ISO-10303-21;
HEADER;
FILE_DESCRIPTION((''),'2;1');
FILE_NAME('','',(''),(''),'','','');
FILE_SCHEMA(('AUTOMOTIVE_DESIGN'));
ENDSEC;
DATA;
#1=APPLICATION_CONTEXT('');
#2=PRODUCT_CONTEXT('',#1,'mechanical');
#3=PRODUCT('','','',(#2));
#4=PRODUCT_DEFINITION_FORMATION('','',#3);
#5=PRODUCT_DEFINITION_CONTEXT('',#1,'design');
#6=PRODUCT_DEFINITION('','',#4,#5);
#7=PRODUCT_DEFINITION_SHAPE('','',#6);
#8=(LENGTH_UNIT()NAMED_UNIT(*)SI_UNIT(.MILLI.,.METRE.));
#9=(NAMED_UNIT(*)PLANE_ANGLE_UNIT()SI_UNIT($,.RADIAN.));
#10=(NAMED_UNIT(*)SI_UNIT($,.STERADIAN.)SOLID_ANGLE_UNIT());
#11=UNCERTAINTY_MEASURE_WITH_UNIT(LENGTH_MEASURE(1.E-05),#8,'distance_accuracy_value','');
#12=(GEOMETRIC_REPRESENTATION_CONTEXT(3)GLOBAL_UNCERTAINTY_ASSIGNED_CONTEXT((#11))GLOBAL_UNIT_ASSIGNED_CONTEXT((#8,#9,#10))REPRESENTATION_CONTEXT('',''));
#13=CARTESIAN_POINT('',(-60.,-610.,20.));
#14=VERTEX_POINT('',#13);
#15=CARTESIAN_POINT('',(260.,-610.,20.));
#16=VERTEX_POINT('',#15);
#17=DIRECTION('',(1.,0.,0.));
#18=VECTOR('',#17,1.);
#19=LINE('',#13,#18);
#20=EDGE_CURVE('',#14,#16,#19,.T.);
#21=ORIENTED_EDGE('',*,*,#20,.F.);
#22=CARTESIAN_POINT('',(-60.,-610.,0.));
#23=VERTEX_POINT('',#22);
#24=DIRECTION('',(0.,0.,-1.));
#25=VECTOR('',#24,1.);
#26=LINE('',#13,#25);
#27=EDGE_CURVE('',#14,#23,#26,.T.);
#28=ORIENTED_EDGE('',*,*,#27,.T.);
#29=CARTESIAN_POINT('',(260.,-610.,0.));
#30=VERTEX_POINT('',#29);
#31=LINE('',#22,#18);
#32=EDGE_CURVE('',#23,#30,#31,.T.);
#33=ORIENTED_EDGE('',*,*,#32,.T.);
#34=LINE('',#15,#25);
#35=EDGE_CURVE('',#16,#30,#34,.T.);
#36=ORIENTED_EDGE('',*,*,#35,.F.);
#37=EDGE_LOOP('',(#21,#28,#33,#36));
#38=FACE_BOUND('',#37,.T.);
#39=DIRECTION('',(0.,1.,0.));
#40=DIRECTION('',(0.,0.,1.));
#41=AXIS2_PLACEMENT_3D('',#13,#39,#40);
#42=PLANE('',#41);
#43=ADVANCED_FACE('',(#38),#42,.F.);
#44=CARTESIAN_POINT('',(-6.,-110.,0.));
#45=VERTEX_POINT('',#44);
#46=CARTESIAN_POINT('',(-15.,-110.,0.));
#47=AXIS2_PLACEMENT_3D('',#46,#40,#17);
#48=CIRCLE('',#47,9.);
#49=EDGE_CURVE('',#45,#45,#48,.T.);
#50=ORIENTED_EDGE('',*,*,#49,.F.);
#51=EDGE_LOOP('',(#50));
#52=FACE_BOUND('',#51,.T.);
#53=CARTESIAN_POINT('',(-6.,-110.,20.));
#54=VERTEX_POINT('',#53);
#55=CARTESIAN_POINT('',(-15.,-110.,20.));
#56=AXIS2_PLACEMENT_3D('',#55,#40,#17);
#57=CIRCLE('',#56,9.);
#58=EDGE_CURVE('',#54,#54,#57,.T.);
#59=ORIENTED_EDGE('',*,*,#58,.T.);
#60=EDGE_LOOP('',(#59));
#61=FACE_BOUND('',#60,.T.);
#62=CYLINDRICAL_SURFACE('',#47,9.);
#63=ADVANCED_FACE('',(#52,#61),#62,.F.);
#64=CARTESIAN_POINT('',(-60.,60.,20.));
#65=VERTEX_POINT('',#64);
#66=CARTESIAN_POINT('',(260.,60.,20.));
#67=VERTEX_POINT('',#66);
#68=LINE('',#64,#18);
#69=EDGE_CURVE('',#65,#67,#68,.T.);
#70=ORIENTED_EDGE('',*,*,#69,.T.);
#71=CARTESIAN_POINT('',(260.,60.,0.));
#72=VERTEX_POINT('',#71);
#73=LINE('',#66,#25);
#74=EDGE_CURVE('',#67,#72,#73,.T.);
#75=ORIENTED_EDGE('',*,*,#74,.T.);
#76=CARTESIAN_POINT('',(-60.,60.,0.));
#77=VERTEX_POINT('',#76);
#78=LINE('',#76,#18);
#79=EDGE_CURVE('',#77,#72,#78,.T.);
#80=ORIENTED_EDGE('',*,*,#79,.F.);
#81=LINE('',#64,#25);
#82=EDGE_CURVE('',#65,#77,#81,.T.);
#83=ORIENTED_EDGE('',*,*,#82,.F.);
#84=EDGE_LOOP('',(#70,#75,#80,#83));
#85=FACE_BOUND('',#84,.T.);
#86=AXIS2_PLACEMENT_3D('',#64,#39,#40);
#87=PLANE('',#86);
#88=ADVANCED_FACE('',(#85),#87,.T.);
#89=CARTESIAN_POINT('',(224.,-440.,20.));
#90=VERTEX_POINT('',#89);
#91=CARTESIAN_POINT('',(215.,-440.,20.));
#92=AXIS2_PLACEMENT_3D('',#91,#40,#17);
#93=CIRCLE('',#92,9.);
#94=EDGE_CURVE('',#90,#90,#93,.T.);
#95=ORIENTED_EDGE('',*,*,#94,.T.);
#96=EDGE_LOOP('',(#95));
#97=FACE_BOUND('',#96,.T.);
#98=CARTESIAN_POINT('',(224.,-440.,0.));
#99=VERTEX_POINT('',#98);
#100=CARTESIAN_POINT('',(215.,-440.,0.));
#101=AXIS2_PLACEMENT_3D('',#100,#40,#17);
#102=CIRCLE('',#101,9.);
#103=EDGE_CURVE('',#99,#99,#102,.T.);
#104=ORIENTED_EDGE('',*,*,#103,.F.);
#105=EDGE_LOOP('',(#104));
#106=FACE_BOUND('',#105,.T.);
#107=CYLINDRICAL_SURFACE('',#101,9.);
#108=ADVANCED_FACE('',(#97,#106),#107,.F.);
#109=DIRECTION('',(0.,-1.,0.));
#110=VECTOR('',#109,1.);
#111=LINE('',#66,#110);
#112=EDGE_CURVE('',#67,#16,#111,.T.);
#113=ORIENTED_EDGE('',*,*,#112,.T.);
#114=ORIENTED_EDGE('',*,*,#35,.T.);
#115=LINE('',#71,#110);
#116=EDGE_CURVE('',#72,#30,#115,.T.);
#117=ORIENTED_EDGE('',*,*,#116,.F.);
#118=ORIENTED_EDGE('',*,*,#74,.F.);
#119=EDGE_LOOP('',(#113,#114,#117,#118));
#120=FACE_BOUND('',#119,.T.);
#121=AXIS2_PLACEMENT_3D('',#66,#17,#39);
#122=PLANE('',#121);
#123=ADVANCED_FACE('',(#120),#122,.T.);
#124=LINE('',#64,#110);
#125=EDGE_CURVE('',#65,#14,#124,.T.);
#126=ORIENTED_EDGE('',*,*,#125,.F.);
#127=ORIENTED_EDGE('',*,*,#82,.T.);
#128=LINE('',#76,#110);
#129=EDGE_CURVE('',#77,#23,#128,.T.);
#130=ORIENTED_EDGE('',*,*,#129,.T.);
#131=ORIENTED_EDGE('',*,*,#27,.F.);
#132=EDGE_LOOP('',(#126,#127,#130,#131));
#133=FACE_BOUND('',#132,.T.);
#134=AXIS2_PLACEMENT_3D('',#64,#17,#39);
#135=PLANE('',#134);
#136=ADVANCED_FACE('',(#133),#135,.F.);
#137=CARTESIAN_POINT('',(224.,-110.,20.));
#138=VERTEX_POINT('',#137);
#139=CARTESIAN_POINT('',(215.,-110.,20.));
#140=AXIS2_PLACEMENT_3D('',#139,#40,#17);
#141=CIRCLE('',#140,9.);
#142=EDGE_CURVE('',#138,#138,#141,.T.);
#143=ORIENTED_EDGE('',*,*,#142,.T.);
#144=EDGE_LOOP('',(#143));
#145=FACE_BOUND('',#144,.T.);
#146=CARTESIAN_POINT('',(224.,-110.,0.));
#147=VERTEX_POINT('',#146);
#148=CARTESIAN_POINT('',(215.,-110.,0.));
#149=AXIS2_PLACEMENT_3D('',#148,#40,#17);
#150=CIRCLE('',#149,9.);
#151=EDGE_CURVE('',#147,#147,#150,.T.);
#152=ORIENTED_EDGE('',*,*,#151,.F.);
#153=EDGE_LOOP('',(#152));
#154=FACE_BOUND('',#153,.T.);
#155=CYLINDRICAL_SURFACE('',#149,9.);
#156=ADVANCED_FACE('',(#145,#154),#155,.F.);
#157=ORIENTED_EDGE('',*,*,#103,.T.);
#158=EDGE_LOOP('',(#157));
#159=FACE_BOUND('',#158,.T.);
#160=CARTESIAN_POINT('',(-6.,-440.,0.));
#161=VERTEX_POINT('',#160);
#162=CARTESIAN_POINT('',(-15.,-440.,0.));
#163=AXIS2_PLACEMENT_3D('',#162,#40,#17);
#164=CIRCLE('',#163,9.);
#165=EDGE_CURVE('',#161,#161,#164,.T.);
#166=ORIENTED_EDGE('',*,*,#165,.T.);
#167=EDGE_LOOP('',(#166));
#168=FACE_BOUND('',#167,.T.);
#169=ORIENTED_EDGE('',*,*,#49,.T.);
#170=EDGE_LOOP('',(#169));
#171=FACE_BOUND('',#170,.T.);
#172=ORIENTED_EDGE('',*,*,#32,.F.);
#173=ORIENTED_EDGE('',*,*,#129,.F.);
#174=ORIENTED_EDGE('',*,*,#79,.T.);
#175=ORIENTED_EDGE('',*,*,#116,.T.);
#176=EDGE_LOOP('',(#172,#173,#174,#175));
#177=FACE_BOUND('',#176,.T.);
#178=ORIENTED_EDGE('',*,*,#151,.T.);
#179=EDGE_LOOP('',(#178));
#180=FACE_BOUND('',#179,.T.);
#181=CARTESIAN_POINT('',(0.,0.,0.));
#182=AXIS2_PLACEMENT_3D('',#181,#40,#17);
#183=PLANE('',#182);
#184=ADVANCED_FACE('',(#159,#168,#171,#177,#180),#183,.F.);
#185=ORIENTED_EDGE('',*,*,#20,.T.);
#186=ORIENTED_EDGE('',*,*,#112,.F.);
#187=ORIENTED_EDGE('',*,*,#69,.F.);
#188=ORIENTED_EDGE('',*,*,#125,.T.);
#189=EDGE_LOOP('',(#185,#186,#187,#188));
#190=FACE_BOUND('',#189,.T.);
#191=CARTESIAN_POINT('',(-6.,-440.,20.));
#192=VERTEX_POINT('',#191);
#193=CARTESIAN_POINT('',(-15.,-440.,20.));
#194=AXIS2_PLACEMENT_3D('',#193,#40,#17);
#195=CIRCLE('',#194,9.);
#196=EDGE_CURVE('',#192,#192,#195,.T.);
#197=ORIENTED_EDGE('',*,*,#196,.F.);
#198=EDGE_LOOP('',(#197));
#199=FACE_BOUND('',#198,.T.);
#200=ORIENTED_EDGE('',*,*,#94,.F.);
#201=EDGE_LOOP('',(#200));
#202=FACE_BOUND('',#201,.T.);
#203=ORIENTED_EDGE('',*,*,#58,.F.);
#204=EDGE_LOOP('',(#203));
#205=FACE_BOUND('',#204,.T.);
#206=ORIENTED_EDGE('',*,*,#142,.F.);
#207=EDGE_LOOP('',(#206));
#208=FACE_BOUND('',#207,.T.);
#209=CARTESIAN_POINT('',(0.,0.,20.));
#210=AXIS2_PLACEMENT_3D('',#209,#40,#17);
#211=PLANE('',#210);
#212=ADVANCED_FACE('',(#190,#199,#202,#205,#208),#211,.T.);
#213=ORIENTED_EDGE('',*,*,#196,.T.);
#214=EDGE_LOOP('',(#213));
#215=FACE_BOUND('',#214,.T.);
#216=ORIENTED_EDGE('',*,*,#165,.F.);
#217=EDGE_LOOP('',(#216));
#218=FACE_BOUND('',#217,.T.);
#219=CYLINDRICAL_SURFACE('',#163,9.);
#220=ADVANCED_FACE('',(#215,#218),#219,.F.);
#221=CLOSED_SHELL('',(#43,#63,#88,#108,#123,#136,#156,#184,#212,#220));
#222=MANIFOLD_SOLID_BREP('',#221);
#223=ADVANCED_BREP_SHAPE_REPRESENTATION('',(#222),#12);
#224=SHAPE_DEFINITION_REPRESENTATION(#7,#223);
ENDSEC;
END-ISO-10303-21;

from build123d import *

# Parameters (mm, degrees)
SKETCH1_W           = 320
SKETCH1_H           = 670
BOSS_EXTRUDE1_DEPTH = 20
SKETCH2_R           = 9
CUT_EXTRUDE1_DEPTH  = 21


with BuildPart() as part:
    # Sketch1 → Boss-Extrude1 (new body)
    with BuildSketch(Plane.XY):
        with Locations((100, -275)):
            Rectangle(SKETCH1_W, SKETCH1_H)
    extrude(amount=BOSS_EXTRUDE1_DEPTH)

    # Sketch2 → Cut-Extrude1 (cut, through all)
    with BuildSketch(Plane.XY.offset(20)):
        with Locations((215, -440)):
            Circle(SKETCH2_R)
        with Locations((-15, -440)):
            Circle(SKETCH2_R)
        with Locations((-15, -110)):
            Circle(SKETCH2_R)
        with Locations((215, -110)):
            Circle(SKETCH2_R)
    extrude(amount=-CUT_EXTRUDE1_DEPTH, mode=Mode.SUBTRACT)


solid = part.part
